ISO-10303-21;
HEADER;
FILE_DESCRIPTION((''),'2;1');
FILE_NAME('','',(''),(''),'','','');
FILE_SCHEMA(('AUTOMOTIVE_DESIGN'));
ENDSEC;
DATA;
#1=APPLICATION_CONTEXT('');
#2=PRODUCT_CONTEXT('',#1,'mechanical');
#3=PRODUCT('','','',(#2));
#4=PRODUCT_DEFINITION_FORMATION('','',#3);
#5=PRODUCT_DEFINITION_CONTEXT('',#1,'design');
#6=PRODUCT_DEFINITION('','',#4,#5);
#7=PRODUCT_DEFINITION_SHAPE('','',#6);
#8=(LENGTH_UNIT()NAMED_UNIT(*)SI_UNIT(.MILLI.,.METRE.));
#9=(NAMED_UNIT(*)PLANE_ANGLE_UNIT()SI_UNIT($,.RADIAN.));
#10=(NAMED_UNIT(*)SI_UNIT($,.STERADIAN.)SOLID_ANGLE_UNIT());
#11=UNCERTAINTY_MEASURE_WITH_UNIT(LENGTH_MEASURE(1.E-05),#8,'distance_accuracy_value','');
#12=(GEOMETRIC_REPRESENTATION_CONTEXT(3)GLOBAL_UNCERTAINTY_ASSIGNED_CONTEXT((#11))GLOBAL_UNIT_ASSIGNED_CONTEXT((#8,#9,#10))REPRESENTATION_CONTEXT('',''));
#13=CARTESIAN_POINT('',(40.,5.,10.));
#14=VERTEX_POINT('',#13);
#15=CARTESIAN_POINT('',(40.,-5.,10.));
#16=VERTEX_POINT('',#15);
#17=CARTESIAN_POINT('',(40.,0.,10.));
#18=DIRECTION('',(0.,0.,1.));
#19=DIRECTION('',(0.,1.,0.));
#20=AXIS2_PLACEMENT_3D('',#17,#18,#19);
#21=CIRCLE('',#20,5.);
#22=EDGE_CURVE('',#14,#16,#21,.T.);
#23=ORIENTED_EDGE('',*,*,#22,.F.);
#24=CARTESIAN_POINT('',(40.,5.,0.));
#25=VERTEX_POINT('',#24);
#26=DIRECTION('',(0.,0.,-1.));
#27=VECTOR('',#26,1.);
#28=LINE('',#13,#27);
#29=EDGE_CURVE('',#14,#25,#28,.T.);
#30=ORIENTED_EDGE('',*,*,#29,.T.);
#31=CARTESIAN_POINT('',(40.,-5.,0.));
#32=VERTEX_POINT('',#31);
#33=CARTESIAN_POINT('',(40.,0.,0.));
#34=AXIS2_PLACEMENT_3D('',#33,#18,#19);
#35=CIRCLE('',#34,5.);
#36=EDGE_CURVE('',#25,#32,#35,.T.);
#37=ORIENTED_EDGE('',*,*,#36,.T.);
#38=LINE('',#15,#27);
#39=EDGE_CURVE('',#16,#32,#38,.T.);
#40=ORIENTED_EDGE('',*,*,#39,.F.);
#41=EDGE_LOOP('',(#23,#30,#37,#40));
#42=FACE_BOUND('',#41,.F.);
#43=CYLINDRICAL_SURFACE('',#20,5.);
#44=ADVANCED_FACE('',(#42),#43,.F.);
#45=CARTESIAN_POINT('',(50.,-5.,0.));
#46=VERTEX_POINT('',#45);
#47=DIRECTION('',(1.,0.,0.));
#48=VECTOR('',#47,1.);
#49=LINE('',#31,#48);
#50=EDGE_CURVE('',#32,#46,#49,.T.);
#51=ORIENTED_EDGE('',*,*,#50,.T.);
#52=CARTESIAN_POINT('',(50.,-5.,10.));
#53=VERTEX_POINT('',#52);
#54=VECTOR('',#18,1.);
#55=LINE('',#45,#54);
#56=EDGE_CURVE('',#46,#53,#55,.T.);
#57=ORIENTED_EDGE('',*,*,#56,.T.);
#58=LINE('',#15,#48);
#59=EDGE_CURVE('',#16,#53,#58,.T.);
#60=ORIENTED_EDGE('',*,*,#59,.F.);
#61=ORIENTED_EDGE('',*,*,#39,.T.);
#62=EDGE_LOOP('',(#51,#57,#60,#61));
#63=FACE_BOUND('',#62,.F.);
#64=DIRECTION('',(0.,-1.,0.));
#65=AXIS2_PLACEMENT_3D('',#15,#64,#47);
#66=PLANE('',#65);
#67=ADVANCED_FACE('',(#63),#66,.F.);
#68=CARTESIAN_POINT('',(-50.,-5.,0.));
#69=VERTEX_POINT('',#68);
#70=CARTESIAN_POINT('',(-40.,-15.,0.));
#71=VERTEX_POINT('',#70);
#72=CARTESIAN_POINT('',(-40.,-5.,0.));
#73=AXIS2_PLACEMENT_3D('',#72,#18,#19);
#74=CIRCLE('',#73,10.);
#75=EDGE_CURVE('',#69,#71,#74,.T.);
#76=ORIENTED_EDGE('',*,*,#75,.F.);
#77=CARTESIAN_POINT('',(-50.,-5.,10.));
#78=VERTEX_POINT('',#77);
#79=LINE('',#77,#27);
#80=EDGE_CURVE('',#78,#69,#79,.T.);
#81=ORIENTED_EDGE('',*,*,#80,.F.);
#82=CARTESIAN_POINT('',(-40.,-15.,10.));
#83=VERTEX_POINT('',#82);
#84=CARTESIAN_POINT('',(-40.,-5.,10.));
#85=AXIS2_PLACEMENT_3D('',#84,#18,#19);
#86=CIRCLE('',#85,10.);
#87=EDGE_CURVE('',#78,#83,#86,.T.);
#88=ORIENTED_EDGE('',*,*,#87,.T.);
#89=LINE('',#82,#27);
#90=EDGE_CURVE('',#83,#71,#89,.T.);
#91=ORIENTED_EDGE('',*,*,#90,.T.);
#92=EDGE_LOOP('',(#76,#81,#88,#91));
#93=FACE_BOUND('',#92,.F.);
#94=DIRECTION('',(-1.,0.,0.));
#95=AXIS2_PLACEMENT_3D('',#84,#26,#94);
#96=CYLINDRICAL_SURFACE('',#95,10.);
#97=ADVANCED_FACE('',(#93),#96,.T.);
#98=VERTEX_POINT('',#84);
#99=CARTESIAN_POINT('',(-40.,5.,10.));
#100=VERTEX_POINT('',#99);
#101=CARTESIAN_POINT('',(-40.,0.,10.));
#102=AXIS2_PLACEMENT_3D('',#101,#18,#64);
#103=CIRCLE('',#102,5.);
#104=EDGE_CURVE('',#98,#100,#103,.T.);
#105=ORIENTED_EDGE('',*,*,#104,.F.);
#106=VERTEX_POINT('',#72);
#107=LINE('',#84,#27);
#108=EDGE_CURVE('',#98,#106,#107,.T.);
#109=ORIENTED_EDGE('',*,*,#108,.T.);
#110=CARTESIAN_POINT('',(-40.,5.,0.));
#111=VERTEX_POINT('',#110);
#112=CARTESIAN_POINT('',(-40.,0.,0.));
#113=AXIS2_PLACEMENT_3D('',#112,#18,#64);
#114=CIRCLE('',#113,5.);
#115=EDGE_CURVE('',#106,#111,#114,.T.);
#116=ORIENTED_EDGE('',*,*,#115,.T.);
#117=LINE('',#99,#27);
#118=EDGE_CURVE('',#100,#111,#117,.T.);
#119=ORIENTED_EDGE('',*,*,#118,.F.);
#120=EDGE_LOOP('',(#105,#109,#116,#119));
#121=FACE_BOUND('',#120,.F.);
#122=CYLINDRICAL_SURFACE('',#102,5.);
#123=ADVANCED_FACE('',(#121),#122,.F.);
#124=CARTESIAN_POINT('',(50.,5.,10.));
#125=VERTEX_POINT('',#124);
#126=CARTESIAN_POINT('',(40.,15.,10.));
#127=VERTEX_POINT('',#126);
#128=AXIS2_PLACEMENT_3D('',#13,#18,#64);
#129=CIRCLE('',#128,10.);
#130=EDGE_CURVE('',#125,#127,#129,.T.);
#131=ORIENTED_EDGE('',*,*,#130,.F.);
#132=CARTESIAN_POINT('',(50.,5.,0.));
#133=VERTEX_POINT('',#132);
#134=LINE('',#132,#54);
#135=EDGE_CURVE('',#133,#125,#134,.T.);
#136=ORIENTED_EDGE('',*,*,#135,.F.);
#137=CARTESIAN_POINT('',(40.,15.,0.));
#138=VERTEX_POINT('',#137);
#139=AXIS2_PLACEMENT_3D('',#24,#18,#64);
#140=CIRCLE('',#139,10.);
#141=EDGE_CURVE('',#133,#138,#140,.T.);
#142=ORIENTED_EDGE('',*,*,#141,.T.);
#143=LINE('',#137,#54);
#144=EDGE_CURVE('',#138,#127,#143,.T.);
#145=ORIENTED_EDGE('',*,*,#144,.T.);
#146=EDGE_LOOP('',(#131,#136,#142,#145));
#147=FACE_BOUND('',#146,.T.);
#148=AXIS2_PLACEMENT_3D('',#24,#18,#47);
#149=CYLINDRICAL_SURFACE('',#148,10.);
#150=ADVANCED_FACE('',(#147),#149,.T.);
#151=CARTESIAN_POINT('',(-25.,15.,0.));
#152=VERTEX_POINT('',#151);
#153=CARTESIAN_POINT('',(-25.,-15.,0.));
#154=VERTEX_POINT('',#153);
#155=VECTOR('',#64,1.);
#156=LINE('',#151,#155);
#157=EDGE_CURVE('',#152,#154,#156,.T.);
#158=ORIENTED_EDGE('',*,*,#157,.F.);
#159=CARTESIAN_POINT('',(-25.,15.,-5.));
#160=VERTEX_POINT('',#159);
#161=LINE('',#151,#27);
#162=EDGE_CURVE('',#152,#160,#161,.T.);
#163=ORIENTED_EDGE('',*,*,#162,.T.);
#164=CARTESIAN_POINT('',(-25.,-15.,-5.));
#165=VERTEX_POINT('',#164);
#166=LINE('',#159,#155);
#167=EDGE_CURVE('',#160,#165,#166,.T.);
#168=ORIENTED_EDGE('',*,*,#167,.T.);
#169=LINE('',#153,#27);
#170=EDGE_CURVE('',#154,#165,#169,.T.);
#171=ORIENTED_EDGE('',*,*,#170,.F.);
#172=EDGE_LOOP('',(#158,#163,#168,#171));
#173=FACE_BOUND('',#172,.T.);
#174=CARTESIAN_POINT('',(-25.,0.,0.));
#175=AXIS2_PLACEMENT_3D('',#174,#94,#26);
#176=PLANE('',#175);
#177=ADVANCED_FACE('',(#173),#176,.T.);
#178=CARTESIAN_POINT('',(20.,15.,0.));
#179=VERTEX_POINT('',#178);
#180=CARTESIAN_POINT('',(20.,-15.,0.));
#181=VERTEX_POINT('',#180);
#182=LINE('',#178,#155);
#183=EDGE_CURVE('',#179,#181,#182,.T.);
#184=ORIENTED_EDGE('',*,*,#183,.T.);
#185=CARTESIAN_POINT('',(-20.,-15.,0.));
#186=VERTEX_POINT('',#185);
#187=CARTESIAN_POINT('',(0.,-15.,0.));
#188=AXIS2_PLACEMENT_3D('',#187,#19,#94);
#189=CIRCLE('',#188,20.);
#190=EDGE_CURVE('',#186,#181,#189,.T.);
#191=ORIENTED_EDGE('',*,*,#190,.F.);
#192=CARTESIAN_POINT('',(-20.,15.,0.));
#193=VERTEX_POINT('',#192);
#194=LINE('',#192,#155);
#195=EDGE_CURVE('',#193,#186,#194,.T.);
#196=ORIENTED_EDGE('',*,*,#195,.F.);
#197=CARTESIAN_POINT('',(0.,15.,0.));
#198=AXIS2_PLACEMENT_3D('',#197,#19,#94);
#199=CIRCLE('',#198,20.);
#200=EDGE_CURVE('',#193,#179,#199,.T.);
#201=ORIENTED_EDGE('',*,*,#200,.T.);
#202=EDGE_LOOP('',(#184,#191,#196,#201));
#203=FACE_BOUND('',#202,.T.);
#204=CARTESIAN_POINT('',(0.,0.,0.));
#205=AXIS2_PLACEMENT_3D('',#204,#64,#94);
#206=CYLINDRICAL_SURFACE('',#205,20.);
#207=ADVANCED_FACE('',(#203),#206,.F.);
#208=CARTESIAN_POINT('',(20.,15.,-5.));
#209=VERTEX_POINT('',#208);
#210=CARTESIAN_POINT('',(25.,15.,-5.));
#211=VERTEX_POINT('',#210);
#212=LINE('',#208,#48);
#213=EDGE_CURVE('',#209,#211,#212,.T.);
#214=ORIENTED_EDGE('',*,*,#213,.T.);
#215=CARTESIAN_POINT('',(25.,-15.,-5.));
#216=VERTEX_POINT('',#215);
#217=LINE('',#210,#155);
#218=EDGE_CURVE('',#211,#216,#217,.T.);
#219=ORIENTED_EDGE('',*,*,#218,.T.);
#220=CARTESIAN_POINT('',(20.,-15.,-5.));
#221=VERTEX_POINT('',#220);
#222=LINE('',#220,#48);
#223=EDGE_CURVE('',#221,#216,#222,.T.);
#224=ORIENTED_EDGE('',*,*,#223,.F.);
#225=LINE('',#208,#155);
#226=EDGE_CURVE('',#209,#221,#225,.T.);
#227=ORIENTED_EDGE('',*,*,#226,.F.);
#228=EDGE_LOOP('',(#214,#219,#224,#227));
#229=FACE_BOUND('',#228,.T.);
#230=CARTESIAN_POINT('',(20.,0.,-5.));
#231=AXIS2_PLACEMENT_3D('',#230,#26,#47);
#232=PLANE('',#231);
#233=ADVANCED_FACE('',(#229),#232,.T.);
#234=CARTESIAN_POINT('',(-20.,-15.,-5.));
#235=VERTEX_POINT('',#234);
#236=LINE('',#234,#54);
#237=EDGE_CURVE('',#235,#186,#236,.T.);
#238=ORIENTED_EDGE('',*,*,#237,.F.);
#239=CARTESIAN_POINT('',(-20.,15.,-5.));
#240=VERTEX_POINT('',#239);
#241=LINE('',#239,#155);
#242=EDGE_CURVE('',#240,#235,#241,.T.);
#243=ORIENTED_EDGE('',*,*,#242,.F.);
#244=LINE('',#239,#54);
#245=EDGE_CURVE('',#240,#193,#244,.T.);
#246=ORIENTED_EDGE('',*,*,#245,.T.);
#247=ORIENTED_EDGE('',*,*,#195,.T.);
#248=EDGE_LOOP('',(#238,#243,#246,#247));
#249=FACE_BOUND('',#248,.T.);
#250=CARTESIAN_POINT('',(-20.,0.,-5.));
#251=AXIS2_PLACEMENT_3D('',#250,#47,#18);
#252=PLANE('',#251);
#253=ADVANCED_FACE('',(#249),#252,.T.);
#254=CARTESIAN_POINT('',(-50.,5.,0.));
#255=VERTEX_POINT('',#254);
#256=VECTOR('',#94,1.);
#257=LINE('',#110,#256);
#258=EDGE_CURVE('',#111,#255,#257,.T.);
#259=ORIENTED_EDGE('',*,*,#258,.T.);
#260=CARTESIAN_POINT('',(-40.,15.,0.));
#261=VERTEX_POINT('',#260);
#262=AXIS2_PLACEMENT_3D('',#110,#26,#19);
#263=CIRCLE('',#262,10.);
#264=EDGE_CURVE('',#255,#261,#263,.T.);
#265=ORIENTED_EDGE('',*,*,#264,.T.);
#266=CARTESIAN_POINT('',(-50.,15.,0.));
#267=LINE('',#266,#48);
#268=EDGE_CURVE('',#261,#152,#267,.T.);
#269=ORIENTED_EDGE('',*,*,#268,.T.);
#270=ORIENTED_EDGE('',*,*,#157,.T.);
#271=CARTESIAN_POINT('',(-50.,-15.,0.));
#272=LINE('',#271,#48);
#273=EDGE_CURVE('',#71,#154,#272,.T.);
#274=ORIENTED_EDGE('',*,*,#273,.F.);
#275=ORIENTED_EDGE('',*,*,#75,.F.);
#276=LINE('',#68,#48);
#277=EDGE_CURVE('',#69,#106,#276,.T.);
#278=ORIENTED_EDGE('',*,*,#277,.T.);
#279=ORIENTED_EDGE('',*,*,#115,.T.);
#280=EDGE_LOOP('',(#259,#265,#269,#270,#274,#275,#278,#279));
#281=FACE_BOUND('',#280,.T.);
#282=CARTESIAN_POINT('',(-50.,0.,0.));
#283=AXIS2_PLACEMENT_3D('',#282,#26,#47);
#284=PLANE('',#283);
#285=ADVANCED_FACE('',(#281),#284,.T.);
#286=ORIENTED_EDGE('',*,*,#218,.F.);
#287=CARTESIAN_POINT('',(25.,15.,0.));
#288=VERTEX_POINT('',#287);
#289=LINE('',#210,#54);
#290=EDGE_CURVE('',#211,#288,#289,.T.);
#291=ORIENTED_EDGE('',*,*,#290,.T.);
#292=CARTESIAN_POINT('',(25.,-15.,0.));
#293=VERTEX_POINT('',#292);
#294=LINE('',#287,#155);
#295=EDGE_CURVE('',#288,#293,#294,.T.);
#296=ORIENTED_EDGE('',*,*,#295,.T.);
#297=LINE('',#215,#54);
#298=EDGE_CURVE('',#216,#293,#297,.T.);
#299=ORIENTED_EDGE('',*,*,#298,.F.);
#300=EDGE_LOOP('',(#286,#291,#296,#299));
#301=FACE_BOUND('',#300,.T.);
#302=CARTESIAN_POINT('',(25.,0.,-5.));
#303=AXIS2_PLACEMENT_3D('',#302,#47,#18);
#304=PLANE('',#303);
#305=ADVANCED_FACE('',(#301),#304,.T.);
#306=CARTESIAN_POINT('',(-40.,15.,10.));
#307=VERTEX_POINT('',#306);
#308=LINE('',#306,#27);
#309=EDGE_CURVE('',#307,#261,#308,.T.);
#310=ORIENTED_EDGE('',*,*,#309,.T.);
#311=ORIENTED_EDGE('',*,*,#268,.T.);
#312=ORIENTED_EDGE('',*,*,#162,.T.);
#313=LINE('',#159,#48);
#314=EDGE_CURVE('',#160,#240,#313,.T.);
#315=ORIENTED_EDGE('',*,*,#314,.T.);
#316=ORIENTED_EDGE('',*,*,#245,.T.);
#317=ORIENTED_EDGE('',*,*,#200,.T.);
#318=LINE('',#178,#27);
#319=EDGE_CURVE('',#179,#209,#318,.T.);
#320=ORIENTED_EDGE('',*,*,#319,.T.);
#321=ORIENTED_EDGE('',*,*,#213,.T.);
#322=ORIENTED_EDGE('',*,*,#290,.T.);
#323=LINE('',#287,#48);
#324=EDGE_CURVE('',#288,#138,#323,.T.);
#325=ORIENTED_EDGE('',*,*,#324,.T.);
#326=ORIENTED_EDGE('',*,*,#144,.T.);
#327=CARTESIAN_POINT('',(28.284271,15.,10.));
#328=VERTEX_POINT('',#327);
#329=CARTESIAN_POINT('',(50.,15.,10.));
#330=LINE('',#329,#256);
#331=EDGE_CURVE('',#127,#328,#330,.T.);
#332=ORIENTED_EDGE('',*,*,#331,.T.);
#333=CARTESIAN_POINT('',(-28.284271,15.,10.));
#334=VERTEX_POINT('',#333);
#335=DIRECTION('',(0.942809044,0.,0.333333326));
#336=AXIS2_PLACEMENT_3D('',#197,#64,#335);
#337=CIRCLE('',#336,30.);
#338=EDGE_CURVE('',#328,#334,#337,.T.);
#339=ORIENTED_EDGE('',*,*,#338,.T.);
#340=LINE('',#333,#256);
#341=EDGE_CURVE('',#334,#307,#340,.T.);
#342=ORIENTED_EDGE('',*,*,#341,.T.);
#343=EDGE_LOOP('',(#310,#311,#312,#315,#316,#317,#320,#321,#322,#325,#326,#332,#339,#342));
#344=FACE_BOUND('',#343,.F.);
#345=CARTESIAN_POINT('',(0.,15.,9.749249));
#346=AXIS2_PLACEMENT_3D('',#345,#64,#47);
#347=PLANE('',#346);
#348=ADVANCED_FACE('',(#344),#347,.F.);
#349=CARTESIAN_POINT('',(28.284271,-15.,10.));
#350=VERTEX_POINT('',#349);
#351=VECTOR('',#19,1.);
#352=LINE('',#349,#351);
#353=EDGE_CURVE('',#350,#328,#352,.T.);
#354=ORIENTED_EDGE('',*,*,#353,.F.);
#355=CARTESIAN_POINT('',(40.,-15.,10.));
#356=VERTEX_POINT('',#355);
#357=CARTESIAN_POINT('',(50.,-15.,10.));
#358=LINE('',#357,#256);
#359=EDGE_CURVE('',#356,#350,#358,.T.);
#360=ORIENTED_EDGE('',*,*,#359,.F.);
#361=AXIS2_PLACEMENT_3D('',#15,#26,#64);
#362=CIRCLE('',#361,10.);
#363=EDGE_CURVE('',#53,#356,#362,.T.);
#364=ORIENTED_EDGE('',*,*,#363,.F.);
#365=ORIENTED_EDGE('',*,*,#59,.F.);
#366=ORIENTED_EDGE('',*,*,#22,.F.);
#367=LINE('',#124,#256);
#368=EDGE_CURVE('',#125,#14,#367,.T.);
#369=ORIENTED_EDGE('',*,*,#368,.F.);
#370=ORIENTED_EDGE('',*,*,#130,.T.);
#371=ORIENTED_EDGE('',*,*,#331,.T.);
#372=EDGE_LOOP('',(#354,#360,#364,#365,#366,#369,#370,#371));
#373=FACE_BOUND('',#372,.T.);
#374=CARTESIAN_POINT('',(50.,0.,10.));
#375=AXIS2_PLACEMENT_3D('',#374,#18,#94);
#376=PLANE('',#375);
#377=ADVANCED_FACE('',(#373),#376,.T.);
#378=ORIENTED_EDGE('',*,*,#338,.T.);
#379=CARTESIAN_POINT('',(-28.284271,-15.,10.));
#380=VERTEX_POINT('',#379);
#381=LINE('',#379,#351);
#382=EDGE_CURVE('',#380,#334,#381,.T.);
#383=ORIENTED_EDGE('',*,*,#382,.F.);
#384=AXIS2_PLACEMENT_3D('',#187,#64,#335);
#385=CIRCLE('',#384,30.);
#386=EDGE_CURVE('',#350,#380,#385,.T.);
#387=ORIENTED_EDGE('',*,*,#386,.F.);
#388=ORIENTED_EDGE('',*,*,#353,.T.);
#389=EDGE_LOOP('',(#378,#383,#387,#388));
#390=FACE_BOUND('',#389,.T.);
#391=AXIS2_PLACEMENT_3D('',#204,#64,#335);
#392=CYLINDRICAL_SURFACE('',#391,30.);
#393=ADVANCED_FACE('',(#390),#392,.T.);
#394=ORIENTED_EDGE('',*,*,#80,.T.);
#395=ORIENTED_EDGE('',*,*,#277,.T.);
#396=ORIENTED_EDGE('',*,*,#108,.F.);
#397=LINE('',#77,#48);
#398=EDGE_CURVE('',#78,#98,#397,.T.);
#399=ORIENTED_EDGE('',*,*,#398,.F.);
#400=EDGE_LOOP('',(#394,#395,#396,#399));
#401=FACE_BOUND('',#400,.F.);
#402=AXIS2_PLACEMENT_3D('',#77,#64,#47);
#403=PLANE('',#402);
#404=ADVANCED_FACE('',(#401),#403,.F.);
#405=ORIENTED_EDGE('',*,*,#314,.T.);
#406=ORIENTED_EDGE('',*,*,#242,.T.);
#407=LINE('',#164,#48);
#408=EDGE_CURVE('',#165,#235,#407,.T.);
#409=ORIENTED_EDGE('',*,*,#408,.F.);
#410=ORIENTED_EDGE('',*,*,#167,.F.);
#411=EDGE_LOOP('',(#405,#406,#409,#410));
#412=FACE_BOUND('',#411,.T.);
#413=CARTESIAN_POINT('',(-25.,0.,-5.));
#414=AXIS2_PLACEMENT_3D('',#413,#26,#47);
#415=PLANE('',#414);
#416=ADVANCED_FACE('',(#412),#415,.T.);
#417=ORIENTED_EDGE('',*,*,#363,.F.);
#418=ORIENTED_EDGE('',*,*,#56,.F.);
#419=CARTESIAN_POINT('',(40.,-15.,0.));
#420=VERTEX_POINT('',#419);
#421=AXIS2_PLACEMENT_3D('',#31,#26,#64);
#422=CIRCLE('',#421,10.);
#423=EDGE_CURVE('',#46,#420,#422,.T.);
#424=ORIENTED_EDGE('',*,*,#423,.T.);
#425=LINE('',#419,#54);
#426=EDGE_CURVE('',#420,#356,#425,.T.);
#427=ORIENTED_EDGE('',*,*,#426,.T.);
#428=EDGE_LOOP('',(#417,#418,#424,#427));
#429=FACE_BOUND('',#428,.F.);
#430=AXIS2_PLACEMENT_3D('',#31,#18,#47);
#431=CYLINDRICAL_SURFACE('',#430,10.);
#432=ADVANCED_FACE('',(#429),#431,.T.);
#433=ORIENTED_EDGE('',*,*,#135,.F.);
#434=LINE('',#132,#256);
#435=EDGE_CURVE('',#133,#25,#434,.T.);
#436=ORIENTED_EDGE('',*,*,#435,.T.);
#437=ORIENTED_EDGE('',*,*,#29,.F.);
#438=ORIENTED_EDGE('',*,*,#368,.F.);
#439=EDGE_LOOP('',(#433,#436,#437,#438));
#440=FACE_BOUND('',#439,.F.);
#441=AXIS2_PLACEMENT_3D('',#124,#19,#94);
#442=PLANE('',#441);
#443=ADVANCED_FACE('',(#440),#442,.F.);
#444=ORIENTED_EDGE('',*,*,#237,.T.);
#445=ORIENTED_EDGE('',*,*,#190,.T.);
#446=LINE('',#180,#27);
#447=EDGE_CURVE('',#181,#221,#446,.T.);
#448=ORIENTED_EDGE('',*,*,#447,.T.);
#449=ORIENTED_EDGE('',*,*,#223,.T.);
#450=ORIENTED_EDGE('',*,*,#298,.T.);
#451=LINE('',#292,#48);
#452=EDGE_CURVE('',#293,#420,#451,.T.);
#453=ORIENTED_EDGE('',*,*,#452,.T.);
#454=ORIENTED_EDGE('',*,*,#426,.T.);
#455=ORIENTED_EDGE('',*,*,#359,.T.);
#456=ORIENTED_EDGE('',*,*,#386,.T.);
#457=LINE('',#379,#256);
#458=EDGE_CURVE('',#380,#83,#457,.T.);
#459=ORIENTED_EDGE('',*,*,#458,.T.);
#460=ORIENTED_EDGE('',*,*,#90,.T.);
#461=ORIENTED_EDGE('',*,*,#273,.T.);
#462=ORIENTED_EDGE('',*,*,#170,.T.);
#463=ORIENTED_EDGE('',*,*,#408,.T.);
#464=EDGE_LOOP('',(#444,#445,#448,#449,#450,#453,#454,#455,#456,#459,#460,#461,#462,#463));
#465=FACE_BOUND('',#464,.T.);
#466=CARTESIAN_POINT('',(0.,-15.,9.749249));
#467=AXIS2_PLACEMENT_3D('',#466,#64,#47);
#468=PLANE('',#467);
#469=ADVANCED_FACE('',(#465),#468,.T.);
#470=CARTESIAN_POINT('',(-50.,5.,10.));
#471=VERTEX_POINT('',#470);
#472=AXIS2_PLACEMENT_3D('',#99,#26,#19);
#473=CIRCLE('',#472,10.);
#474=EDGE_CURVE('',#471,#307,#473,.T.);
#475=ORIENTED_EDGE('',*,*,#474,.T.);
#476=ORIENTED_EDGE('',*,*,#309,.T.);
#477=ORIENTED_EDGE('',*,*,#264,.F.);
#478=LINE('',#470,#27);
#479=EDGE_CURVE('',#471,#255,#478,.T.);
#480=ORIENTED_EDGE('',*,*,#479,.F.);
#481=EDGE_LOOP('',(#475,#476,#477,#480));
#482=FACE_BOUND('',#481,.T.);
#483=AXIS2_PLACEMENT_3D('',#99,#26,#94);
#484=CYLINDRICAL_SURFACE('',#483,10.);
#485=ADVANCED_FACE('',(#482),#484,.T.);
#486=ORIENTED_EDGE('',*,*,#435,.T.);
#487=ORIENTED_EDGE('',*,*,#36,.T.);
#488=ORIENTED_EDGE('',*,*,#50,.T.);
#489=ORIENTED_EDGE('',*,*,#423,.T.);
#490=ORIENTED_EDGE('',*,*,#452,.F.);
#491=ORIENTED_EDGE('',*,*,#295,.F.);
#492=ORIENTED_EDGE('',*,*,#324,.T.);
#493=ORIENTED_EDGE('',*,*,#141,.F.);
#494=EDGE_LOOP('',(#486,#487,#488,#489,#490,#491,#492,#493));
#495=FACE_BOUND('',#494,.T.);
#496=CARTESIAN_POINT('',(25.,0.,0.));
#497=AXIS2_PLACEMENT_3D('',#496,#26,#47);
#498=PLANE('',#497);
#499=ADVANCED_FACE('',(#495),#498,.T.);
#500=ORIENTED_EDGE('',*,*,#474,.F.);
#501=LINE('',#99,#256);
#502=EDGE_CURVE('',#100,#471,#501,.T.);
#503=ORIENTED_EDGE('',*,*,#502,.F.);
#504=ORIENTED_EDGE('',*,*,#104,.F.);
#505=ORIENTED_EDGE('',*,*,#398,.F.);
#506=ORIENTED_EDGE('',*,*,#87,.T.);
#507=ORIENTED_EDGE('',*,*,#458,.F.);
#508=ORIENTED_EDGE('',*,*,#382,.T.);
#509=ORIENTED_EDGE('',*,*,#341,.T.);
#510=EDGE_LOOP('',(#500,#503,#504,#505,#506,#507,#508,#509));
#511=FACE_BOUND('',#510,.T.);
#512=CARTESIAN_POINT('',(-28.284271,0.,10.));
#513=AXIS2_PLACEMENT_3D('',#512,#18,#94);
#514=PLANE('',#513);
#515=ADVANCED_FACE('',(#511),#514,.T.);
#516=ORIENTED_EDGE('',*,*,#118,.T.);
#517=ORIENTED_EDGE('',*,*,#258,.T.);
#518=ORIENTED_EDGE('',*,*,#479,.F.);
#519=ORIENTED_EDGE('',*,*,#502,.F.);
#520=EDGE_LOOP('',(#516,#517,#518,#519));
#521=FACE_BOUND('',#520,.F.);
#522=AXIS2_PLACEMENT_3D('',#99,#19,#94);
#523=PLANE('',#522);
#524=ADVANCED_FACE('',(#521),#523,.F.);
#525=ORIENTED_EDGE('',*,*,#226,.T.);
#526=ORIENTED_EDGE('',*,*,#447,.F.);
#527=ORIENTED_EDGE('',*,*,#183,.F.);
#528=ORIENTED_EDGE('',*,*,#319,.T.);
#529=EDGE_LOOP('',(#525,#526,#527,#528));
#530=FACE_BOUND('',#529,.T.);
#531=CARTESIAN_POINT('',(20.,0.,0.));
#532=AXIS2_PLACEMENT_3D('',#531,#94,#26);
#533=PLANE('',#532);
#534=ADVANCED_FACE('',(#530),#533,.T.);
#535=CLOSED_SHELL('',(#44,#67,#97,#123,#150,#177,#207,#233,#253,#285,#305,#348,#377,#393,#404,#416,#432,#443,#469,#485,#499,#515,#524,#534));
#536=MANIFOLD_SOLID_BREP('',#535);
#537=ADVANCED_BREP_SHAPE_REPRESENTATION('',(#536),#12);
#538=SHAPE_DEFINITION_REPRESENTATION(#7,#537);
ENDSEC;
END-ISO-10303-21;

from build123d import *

# Parameters (mm, degrees)
F1_DEPTH = 15
F2_R     = 10
F4_DEPTH = 10
F6_DEPTH = 10


with BuildPart() as f1:
    # F0 (on Front) → F1 (new body, symmetric)
    with BuildSketch(Plane.XZ):
        with BuildLine():
            Line((-50, 10), (-50, 0))
            Line((-50, 0), (-25, 0))
            Line((-25, 0), (-25, -5))
            Line((-25, -5), (-20, -5))
            Line((-20, -5), (-20, 0))
            ThreePointArc((-20, 0), (0, 20), (20, 0))
            Line((20, 0), (20, -5))
            Line((20, -5), (25, -5))
            Line((25, -5), (25, 0))
            Line((25, 0), (50, 0))
            Line((50, 0), (50, 10))
            Line((50, 10), (28.284271, 10))
            ThreePointArc((28.284271, 10), (0, 30), (-28.284271, 10))
            Line((-28.284271, 10), (-50, 10))
        make_face()
    extrude(amount=F1_DEPTH, both=True)

    # F2
    f2_edges = [f1.edges().sort_by_distance(p)[0] for p in [
        (-50, -15, 5),
        (50, -15, 5),
        (50, 15, 5),
        (-50, 15, 5),
    ]]
    fillet(f2_edges, radius=F2_R)

    # F3 (on face) → F4 (cut, through all)
    with BuildSketch(Plane.XY.offset(10)):
        with BuildLine():
            Line((-40, 5), (-50, 5))
            Line((-50, 5), (-50, -5))
            Line((-50, -5), (-40, -5))
            ThreePointArc((-40, -5), (-35, 0), (-40, 5))
        make_face()
    extrude(amount=-F4_DEPTH, mode=Mode.SUBTRACT)

    # F5 (on face) → F6 (cut, through all)
    with BuildSketch(Plane.XY.offset(10)):
        with BuildLine():
            Line((50, -5), (50, 5))
            Line((50, 5), (40, 5))
            ThreePointArc((40, 5), (35, 0), (40, -5))
            Line((40, -5), (50, -5))
        make_face()
    extrude(amount=-F6_DEPTH, mode=Mode.SUBTRACT)


solid = f1.part
